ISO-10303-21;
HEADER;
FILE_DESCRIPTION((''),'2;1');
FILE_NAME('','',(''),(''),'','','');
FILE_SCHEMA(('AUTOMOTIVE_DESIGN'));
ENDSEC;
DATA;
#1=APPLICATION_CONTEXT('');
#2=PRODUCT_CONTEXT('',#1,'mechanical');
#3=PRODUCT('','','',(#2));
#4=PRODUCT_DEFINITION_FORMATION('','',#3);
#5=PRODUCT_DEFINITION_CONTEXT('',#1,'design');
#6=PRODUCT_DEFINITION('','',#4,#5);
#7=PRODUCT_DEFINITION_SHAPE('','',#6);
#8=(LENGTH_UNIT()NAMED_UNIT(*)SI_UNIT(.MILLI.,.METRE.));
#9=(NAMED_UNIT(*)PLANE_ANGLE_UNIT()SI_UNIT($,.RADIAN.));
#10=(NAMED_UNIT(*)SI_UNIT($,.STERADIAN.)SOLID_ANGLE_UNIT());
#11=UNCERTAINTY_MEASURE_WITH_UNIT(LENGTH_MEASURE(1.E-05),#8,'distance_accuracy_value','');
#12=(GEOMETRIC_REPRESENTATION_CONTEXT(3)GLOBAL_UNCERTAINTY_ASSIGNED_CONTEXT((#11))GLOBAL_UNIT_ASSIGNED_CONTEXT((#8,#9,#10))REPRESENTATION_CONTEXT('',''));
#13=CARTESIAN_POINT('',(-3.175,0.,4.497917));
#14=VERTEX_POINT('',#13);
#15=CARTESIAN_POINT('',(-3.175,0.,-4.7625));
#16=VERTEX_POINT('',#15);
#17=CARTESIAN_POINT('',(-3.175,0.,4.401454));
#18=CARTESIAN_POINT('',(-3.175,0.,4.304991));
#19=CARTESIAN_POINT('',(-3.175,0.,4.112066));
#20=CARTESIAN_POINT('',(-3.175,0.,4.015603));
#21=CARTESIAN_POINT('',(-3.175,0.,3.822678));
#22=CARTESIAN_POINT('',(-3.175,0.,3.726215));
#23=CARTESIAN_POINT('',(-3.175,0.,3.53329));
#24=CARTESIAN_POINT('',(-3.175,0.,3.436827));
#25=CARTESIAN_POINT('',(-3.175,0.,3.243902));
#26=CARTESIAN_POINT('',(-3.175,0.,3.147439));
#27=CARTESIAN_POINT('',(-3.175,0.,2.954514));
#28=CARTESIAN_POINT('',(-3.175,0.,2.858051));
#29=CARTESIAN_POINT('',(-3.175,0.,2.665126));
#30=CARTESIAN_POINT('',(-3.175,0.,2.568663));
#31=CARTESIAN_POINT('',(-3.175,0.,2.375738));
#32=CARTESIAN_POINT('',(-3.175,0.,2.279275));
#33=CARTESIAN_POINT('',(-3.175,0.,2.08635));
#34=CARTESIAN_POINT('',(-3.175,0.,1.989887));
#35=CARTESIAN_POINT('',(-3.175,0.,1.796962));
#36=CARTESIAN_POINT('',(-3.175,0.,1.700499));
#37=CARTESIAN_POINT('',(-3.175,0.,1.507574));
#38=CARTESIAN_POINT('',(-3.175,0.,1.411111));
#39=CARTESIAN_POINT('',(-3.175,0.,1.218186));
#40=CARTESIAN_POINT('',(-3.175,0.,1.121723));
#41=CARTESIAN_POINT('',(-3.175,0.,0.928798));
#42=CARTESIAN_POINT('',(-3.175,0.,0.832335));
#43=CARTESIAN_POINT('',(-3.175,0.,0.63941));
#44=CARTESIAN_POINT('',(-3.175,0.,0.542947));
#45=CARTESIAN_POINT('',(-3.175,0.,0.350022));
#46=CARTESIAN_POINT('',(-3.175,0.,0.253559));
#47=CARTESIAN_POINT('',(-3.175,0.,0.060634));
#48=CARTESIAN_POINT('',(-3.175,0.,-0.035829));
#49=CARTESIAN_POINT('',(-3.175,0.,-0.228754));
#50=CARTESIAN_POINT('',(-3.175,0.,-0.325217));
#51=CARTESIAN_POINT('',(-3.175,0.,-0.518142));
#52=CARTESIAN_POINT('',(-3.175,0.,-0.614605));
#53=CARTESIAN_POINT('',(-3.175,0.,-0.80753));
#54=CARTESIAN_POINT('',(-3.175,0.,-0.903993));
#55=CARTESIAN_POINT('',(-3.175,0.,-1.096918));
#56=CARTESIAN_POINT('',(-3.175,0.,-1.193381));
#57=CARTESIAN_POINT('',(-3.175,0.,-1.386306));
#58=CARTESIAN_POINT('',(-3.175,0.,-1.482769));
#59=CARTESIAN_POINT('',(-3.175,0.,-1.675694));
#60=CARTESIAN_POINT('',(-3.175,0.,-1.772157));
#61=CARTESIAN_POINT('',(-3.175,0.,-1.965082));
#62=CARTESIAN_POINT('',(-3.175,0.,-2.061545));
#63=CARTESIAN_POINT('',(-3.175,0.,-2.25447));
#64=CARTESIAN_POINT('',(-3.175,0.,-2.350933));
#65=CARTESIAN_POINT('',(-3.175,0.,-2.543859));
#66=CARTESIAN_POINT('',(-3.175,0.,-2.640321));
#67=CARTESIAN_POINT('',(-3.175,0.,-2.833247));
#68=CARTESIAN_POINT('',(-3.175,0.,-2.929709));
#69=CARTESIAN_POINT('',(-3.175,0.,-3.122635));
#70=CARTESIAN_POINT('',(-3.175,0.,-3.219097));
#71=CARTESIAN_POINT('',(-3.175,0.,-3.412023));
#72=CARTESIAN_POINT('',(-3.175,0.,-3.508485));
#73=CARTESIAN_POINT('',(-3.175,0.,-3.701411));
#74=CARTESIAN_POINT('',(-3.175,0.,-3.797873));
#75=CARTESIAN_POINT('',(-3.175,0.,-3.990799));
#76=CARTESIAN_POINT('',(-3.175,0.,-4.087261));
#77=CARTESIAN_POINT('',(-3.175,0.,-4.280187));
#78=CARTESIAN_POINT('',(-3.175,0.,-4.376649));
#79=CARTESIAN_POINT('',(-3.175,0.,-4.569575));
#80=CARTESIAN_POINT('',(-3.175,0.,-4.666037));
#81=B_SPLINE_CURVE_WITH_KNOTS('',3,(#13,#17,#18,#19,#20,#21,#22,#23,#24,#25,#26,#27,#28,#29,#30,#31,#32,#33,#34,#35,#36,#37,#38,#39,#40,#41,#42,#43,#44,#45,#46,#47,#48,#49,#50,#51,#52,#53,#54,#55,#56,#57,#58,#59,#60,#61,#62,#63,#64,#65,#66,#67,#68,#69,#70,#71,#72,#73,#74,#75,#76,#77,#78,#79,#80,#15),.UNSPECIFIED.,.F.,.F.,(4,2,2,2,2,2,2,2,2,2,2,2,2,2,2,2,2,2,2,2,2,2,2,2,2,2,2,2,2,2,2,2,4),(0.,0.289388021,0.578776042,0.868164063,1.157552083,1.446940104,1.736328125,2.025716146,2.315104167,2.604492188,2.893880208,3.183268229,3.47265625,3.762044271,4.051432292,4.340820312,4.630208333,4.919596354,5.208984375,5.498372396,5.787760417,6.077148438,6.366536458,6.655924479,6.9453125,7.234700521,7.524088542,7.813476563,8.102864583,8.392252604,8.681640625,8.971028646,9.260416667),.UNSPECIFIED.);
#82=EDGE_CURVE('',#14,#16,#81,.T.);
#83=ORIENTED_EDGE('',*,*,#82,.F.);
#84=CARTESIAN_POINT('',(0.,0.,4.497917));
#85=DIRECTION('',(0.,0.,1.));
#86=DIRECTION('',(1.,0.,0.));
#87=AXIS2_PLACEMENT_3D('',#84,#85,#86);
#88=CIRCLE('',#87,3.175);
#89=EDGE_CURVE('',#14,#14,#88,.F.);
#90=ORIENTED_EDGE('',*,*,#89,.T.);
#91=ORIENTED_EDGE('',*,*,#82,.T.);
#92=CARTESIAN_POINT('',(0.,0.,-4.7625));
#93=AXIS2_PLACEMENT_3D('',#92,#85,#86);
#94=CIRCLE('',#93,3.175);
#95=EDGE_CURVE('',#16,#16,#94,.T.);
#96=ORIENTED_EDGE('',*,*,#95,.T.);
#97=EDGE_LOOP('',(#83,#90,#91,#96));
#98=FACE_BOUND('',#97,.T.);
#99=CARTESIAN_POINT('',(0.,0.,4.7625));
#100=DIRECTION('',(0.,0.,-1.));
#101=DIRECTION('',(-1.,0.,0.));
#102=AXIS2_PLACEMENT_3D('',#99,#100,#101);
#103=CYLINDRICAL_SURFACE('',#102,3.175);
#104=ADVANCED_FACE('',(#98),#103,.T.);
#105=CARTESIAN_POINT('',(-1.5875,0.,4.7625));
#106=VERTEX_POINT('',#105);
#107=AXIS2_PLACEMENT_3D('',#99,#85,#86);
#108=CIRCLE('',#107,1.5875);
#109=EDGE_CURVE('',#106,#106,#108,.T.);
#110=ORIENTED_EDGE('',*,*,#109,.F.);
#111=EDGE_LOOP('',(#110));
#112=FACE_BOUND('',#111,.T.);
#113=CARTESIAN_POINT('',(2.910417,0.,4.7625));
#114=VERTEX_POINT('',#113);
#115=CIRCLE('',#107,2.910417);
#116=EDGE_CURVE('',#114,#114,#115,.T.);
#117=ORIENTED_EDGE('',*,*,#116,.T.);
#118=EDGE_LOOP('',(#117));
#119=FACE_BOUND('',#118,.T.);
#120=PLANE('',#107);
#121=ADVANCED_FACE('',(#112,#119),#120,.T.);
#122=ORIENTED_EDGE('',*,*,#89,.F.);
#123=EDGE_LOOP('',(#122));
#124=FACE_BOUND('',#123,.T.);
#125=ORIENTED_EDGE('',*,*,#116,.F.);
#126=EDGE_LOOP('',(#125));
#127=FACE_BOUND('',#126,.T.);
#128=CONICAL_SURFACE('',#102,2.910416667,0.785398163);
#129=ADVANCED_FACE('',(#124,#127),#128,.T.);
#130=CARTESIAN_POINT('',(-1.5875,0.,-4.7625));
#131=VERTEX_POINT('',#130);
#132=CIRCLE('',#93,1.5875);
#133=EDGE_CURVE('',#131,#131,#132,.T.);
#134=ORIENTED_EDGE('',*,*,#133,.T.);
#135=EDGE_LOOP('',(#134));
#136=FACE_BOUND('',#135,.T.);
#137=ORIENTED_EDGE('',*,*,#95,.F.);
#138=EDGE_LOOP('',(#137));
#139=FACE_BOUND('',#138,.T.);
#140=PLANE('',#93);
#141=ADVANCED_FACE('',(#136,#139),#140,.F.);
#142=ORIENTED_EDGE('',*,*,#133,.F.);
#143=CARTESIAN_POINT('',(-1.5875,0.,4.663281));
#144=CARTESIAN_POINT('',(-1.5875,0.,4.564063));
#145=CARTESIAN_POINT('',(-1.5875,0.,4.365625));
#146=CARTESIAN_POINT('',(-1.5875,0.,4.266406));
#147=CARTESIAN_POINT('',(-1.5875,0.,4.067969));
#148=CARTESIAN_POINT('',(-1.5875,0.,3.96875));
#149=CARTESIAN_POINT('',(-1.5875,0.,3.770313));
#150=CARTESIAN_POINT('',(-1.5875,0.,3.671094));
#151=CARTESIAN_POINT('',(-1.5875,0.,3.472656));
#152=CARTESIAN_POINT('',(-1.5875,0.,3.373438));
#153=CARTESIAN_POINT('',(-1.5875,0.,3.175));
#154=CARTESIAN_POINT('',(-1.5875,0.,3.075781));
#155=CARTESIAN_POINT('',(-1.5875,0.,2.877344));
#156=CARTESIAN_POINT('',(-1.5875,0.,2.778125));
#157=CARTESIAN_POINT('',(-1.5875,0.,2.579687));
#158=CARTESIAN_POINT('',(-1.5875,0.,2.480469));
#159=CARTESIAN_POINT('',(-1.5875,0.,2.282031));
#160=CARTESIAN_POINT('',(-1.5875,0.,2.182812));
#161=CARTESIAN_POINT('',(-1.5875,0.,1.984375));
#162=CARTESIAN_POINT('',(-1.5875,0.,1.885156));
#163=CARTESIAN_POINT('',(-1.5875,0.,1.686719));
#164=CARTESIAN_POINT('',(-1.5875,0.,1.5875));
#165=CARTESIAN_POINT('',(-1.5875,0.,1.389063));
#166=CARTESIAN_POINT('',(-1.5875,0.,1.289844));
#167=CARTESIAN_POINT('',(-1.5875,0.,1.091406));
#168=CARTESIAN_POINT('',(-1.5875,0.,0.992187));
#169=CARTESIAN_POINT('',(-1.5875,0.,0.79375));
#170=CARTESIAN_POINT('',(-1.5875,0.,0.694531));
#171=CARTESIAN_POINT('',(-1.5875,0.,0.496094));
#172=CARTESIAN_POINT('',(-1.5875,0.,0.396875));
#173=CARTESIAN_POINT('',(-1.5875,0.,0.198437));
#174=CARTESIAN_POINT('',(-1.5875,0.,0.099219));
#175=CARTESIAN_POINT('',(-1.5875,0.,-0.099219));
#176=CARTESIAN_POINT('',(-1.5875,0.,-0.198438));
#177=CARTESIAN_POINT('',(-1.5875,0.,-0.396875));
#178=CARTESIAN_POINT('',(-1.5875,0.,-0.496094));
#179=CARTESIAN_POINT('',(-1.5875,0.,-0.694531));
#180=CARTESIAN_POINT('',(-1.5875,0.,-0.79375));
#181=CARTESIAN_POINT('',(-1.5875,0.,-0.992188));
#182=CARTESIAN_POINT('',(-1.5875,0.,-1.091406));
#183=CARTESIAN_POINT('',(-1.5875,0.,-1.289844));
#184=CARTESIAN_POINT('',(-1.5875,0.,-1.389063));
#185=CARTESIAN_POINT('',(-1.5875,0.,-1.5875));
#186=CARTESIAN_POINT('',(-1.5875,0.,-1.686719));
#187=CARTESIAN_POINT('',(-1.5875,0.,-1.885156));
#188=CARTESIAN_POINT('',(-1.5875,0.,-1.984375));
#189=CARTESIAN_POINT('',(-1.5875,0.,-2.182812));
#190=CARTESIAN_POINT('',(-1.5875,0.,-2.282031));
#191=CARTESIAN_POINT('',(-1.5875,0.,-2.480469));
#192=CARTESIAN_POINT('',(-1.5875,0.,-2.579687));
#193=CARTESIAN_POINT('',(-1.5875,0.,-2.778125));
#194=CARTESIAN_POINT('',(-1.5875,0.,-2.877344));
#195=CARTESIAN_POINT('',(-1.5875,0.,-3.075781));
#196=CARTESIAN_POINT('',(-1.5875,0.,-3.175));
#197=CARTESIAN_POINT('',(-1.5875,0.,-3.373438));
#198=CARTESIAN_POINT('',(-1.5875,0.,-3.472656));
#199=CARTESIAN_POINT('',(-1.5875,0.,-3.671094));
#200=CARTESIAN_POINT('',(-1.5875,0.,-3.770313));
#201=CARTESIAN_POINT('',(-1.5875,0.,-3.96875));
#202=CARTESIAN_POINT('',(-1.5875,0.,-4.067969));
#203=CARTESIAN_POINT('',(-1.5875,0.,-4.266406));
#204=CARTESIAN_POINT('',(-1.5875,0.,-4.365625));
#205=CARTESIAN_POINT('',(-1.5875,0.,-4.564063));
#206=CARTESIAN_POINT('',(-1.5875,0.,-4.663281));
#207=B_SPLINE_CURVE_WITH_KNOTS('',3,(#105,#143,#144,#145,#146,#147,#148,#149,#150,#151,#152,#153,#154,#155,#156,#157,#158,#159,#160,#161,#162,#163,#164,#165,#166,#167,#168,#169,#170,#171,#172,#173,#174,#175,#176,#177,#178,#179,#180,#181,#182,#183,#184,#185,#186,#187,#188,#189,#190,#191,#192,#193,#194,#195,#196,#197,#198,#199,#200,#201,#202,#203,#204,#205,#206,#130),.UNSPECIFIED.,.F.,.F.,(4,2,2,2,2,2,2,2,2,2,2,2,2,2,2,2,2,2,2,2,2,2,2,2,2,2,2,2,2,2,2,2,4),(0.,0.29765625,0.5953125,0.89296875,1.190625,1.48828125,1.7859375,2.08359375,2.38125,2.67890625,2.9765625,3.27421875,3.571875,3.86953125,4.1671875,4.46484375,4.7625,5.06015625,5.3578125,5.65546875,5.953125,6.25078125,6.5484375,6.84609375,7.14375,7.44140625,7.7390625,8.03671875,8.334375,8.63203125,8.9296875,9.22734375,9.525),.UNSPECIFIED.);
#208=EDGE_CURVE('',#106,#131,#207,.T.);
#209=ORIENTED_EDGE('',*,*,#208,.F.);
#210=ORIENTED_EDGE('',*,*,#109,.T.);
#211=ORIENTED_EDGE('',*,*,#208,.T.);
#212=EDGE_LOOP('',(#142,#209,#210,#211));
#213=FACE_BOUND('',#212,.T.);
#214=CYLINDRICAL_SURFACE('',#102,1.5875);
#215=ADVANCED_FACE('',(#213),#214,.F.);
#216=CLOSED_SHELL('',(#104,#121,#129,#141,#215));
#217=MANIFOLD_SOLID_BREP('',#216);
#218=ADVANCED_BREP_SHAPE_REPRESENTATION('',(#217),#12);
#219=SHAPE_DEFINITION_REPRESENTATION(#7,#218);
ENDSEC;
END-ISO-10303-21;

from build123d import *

# Parameters (mm, degrees)
SKETCH1_R      = 3.175
SKETCH1_R_2    = 1.5875
EXTRUDE1_DEPTH = 4.7625
CHAMFER1_SIZE  = 0.264583333


with BuildPart() as part:
    # Sketch1 → Extrude1 (new, symmetric)
    with BuildSketch(Plane.XY):
        with Locations(Location((0, 0, 0), (0, 0, 180))):
            Circle(SKETCH1_R)
        with Locations(Location((0, 0, 0), (0, 0, 180))):
            Circle(SKETCH1_R_2, mode=Mode.SUBTRACT)
    extrude(amount=EXTRUDE1_DEPTH, both=True)

    # Chamfer1
    chamfer1_edges = [part.edges().sort_by_distance(p)[0] for p in [
        (3.175, 0, 4.7625),
    ]]
    chamfer(chamfer1_edges, length=CHAMFER1_SIZE)


solid = part.part
